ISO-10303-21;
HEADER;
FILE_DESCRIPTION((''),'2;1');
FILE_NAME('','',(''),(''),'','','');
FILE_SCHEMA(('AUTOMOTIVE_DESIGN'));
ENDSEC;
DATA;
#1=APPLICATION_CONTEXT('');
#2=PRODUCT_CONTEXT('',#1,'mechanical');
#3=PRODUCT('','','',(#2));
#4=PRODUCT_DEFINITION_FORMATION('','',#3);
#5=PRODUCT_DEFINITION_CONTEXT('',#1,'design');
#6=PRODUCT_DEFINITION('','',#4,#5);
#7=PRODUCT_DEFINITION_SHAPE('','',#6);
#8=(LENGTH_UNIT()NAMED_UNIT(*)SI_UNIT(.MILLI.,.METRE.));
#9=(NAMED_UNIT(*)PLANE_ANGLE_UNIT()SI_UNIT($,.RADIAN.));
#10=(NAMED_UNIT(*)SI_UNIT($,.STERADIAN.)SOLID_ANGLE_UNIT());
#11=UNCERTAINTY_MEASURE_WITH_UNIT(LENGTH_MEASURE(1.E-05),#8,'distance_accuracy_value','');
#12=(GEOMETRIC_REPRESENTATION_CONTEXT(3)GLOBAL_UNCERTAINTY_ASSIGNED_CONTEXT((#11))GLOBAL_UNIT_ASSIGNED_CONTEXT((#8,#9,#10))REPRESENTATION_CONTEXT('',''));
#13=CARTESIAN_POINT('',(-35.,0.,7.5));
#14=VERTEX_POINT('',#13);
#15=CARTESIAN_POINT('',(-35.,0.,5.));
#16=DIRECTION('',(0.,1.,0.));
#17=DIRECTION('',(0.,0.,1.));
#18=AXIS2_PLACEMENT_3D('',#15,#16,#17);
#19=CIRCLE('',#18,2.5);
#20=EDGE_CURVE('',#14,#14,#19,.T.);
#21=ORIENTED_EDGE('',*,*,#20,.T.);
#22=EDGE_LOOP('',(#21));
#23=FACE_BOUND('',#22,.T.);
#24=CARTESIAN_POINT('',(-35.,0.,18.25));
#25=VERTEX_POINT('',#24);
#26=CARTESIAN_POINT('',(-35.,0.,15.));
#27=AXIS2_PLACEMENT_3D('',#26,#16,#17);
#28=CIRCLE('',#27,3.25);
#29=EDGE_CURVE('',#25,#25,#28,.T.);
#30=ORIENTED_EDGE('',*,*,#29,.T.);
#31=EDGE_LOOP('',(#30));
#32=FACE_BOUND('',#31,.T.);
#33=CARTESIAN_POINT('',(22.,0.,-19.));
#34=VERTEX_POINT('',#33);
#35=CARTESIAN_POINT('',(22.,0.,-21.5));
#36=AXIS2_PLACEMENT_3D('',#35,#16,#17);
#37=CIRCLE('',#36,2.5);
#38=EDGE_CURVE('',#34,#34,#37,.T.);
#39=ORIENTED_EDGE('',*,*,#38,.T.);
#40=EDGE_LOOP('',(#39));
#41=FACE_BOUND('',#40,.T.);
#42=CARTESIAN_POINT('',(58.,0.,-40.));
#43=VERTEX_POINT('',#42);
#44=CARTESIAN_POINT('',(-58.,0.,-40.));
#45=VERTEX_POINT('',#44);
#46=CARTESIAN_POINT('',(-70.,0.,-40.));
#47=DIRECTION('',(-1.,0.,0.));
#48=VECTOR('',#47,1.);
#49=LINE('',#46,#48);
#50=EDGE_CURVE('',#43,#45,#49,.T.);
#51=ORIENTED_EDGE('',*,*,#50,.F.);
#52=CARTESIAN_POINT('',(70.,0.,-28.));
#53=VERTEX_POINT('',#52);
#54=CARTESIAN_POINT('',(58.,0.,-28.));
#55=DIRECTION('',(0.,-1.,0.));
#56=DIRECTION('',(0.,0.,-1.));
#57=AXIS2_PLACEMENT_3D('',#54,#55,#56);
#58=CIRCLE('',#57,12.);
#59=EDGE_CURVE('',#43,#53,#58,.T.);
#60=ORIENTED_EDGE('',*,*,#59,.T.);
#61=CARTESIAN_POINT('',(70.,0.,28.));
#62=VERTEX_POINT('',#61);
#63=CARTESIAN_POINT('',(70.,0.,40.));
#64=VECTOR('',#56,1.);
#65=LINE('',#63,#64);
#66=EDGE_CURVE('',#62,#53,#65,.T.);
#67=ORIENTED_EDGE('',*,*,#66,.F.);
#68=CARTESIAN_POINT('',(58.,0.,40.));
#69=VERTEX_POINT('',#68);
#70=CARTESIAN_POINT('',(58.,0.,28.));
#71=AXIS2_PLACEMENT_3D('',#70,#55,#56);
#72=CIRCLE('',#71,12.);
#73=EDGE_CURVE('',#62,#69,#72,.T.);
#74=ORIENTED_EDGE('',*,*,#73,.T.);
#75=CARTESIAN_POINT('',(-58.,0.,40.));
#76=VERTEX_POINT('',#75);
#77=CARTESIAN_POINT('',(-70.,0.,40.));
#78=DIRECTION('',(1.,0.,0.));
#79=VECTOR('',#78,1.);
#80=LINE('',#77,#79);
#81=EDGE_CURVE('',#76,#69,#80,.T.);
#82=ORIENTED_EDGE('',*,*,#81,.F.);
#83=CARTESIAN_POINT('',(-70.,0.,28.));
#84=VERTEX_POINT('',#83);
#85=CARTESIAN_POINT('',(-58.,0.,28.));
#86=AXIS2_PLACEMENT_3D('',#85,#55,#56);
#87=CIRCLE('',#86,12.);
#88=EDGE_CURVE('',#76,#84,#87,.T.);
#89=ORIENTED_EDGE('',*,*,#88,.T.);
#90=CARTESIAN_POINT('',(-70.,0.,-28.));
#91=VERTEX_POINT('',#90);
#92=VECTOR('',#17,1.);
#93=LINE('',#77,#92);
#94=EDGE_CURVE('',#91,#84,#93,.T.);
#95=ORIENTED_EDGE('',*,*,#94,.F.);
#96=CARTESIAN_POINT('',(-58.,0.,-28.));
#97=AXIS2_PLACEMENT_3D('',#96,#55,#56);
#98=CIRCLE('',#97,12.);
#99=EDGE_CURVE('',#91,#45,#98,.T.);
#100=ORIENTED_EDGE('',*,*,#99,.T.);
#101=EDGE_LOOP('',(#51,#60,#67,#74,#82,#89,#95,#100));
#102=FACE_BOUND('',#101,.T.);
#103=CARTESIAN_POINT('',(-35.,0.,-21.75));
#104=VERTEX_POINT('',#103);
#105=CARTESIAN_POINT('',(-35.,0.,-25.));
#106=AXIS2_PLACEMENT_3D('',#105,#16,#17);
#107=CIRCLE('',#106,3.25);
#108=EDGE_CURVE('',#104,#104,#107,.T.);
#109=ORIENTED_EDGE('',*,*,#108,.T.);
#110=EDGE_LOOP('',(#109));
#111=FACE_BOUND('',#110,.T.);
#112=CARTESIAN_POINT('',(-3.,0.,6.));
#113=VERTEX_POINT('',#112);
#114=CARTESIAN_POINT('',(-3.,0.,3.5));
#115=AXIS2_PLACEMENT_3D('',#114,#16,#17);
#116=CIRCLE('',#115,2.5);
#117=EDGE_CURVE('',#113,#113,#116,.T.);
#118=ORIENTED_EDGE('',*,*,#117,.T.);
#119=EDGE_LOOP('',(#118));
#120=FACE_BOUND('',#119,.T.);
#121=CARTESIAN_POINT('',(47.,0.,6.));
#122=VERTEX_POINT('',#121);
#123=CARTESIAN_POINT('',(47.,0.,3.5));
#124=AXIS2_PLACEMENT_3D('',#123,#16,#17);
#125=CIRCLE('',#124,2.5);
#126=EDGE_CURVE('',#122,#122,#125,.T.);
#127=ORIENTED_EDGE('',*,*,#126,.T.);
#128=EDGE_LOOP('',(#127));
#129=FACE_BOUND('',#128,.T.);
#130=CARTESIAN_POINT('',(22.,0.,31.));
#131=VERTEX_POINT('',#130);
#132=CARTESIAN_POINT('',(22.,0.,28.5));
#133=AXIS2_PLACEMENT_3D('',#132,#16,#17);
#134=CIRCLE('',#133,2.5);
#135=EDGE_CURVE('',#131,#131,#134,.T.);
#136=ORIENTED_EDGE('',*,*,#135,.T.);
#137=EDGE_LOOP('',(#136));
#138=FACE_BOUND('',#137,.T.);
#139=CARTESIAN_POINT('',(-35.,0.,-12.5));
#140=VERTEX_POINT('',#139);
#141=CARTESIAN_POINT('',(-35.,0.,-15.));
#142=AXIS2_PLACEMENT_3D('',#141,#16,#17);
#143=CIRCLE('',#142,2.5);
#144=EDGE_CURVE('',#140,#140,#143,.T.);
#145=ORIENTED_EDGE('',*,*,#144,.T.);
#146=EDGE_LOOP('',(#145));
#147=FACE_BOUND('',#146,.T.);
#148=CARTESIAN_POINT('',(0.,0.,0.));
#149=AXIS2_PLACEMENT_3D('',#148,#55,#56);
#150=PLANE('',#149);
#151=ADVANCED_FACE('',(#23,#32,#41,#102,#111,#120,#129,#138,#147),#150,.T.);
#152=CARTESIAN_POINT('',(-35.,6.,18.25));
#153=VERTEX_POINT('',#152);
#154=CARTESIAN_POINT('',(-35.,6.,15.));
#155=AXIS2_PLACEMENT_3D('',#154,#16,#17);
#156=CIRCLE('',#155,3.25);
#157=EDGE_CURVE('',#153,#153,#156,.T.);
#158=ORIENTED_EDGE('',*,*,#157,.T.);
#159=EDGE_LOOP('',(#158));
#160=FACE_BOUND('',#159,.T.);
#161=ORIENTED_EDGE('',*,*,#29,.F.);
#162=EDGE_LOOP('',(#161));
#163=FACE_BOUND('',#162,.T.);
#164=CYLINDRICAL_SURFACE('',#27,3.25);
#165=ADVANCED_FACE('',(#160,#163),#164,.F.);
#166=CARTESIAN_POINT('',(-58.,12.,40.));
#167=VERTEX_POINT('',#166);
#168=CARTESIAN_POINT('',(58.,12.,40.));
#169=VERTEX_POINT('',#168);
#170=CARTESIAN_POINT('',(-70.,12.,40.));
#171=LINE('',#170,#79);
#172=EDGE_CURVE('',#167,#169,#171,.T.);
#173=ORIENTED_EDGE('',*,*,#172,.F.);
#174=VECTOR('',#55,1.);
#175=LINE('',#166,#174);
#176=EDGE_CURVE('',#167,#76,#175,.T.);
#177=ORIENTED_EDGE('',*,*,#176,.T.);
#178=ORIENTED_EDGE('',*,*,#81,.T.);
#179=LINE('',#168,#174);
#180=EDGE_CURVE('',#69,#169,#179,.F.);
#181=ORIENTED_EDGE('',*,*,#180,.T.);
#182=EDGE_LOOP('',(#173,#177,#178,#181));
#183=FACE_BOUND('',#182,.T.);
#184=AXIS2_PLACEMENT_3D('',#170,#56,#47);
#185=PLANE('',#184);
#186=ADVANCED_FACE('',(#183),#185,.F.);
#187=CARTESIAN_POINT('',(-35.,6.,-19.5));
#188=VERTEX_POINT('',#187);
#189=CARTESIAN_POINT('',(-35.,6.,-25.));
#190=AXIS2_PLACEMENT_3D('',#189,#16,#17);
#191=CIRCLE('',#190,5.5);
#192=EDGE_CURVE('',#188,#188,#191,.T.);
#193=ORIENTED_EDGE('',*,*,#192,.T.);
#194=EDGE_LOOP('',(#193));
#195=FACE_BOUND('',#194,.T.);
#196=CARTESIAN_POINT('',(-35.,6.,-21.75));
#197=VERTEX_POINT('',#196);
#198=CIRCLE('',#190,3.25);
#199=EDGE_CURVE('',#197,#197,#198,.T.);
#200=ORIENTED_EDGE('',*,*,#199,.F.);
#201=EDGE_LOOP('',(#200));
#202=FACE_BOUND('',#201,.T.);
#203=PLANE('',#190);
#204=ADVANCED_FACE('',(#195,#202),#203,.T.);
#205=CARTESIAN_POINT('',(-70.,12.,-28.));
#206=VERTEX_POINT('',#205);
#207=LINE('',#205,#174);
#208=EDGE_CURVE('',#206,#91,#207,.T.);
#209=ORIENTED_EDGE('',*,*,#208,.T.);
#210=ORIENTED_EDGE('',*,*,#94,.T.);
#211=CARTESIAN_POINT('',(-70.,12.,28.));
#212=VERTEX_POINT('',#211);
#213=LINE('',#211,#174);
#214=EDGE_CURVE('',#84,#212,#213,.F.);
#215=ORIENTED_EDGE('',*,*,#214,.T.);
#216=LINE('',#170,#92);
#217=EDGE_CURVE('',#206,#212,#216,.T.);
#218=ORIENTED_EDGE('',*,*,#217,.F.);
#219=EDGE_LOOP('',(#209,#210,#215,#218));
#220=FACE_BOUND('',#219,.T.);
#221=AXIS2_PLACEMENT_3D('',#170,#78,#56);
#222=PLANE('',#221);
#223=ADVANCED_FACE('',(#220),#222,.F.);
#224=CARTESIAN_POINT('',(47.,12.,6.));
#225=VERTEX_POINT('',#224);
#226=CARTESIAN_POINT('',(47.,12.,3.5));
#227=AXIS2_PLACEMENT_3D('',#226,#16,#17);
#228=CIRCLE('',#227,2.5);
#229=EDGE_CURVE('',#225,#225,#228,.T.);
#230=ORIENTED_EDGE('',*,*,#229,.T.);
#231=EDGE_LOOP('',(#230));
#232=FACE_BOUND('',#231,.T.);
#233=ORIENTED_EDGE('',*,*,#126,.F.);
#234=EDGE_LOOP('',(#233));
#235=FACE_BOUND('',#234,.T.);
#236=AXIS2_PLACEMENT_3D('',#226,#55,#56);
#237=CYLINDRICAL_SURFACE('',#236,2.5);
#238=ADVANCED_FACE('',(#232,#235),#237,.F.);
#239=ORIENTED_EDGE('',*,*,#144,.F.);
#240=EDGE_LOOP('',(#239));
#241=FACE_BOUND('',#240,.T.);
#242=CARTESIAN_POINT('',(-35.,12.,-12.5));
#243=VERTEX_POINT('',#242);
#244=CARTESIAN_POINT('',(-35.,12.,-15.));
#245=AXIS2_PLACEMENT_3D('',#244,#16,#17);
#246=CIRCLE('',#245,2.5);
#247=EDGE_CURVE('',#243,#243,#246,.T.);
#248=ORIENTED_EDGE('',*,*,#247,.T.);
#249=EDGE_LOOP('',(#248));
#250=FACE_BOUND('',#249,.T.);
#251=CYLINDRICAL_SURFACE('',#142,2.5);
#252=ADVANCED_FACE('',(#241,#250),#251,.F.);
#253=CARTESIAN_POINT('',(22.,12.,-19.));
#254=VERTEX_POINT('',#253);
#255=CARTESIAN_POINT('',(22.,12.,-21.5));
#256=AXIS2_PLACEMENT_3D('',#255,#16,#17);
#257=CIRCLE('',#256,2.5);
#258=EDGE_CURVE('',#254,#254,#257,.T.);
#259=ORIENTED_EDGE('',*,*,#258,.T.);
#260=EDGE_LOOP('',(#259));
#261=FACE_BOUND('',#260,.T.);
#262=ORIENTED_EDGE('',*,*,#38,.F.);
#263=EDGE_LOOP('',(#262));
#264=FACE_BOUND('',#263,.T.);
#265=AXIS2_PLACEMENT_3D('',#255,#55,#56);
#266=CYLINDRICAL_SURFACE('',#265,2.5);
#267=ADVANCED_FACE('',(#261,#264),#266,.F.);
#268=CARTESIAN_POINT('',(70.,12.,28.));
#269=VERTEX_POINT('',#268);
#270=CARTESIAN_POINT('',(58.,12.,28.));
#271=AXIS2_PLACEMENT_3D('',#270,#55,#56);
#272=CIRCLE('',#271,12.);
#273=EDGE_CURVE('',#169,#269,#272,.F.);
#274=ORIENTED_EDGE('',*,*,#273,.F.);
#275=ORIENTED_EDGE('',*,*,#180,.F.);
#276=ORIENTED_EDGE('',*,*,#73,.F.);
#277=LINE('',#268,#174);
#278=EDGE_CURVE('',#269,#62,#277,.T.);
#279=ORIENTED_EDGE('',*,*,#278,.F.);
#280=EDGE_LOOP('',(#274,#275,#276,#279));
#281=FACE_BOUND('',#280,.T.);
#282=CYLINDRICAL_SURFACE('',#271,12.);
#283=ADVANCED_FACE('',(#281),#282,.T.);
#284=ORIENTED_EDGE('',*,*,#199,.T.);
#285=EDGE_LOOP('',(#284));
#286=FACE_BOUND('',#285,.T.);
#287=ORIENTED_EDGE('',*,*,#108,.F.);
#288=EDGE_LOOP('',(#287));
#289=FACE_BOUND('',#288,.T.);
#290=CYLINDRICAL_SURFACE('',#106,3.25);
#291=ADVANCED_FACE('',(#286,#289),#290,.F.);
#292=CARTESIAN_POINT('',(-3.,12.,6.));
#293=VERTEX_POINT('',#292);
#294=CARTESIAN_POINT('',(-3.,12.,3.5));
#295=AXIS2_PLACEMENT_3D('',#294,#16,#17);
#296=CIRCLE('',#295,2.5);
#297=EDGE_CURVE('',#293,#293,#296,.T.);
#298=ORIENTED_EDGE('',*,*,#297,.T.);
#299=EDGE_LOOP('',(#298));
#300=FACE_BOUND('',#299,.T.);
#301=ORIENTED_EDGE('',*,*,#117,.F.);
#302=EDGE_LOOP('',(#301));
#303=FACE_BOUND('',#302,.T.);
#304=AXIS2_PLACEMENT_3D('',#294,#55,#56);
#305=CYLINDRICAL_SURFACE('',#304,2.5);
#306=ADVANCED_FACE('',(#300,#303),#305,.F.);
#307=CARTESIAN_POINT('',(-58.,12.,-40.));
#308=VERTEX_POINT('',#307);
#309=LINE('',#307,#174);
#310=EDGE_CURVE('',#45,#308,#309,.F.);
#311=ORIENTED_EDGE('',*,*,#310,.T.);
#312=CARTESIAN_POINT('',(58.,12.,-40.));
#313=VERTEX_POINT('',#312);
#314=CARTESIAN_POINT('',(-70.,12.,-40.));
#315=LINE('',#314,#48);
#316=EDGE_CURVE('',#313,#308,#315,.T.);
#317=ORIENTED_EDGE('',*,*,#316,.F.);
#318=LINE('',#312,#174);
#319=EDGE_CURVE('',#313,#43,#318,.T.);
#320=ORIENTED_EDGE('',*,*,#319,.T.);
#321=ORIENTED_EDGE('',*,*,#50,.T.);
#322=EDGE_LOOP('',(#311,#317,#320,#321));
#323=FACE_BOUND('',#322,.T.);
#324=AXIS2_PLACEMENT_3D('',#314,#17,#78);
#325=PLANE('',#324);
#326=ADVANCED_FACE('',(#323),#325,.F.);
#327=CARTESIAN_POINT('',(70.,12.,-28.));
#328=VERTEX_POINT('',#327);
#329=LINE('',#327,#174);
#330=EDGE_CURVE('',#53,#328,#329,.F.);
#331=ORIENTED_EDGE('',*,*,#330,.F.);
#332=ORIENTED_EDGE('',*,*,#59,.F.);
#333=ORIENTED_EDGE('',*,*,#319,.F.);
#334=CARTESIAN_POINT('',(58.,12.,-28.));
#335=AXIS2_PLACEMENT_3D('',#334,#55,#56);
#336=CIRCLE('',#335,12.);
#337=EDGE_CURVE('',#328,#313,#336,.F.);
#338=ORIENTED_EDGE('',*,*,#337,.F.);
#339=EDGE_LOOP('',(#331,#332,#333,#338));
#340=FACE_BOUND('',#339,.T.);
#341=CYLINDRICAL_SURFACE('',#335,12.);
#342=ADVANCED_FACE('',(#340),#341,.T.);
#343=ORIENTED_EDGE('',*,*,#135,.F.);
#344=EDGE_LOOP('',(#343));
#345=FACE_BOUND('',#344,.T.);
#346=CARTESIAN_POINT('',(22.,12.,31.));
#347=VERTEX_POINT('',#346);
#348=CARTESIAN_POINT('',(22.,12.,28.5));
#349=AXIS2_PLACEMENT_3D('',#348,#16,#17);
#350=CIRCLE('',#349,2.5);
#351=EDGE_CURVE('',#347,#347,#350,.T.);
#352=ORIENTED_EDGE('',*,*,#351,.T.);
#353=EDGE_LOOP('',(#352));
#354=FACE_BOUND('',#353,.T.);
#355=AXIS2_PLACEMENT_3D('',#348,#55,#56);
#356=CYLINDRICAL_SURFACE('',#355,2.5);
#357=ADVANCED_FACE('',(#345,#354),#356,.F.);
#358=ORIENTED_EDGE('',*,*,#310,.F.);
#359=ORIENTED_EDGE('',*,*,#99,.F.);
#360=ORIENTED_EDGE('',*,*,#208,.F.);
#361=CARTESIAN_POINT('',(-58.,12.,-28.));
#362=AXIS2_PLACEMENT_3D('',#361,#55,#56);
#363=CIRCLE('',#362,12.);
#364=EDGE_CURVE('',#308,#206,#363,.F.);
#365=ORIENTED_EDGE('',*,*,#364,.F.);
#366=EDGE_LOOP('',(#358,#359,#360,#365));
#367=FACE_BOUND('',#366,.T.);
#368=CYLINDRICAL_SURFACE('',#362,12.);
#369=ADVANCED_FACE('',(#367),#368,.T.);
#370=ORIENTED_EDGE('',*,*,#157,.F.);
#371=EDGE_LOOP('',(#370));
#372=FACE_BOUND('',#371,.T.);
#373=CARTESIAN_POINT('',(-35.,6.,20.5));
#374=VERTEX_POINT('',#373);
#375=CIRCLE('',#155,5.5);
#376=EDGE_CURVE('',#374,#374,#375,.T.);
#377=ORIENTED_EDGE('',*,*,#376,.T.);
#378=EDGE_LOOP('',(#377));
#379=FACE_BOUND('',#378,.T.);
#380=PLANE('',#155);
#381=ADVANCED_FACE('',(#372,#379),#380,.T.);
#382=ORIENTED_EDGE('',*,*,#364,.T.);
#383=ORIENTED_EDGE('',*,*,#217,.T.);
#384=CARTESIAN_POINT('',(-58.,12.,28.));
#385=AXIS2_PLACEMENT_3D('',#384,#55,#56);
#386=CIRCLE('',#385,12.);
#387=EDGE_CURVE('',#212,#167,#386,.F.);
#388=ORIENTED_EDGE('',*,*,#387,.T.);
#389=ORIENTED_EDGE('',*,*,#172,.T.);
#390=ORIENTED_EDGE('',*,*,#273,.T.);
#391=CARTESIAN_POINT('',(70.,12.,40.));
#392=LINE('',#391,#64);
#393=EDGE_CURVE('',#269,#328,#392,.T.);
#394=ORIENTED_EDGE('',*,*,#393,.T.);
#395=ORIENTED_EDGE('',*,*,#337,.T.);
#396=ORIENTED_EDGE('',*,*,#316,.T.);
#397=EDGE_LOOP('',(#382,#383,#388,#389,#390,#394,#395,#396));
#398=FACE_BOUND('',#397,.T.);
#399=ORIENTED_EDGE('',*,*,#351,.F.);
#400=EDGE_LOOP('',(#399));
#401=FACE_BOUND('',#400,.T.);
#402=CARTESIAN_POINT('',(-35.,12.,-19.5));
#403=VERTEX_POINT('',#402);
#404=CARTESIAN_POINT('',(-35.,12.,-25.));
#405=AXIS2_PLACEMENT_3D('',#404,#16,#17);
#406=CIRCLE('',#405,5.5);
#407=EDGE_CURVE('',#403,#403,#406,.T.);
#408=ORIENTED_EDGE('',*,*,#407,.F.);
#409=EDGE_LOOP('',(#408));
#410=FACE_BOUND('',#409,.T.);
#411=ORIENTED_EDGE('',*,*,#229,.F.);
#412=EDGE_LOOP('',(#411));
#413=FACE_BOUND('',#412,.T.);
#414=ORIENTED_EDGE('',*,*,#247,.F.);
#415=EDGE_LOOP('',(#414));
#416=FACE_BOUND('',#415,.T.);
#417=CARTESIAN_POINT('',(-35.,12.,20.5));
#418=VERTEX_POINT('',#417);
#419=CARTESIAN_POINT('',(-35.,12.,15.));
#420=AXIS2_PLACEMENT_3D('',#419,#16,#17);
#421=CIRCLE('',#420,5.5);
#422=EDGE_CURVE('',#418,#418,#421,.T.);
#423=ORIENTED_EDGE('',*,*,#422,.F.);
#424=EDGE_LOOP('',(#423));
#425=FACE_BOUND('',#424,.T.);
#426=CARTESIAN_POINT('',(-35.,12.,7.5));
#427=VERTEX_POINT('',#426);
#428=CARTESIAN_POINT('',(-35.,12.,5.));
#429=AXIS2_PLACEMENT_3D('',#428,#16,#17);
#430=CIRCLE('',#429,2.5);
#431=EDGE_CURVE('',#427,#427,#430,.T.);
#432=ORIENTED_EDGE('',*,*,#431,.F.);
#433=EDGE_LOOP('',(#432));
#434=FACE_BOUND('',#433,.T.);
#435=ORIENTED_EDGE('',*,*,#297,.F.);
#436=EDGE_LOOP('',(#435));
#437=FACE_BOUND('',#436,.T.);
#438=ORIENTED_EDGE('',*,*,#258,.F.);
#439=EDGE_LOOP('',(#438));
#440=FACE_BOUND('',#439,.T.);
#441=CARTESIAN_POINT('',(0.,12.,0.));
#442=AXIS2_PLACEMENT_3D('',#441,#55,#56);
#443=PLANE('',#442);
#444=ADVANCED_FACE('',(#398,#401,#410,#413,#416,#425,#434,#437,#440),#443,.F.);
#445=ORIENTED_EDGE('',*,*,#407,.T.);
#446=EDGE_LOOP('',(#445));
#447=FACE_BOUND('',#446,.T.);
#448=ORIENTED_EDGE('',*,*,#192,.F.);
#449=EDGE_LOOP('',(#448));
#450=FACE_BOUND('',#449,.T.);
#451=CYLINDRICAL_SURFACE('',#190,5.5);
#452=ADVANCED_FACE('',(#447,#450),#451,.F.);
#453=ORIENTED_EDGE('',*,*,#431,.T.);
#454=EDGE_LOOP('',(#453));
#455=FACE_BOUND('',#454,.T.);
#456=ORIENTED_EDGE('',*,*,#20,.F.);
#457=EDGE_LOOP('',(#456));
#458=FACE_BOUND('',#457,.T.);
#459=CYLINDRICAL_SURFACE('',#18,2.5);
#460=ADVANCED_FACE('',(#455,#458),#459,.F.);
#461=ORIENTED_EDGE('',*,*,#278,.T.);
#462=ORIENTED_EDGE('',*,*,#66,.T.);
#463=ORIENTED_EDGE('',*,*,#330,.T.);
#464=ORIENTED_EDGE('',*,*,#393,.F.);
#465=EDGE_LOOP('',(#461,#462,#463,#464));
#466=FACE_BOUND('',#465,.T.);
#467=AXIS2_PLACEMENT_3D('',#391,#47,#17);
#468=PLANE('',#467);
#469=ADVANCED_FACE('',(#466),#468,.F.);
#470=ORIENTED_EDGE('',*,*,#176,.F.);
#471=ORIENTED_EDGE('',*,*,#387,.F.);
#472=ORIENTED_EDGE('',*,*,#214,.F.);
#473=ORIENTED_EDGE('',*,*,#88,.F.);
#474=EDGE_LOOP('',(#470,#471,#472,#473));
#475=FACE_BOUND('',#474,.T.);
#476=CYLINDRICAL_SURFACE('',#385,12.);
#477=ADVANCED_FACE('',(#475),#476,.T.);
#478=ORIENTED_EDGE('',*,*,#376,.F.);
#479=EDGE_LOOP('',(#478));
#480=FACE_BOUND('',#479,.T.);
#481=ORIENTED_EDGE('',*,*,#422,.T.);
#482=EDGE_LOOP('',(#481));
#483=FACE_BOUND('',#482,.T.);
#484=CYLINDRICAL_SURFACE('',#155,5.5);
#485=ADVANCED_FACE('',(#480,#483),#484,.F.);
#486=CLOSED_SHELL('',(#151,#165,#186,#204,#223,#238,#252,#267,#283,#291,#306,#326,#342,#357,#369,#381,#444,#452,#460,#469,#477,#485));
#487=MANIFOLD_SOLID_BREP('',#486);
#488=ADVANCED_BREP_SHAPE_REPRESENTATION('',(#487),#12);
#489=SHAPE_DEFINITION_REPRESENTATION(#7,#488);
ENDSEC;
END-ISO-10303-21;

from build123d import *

# Parameters (mm, degrees)
SKETCH1_W           = 140
SKETCH1_H           = 80
SKETCH1_R           = 2.5
BOSS_EXTRUDE1_DEPTH = 12
FILLET1_R           = 12
SKETCH2_R           = 5.5
CUT_EXTRUDE1_DEPTH  = 6
SKETCH4_R           = 3.25
CUT_EXTRUDE2_DEPTH  = 6
SKETCH5_R           = 2.5
CUT_EXTRUDE3_DEPTH  = 82.510735489


with BuildPart() as part:
    # Sketch1 → Boss-Extrude1 (new body)
    with BuildSketch(Plane(origin=(0, 0, 0), x_dir=(1, 0, 0), z_dir=(0, 1, 0))):
        Rectangle(SKETCH1_W, SKETCH1_H)
        with Locations(Location((22, 21.5, 0), (0, 0, 270))):
            Circle(SKETCH1_R, mode=Mode.SUBTRACT)
        with Locations(Location((47, -3.5, 0), (0, 0, 270))):
            Circle(SKETCH1_R, mode=Mode.SUBTRACT)
        with Locations(Location((-3, -3.5, 0), (0, 0, 270))):
            Circle(SKETCH1_R, mode=Mode.SUBTRACT)
        with Locations(Location((22, -28.5, 0), (0, 0, 270))):
            Circle(SKETCH1_R, mode=Mode.SUBTRACT)
    extrude(amount=BOSS_EXTRUDE1_DEPTH)

    # Fillet1
    fillet1_edges = [part.edges().sort_by_distance(p)[0] for p in [
        (70, 6, 40),
        (-70, 6, 40),
        (-70, 6, -40),
        (70, 6, -40),
    ]]
    fillet(fillet1_edges, radius=FILLET1_R)

    # Sketch2 → Cut-Extrude1 (cut)
    with BuildSketch(Plane(origin=(0, 12, 0), x_dir=(1, 0, 0), z_dir=(0, 1, 0))):
        with Locations(Location((-35, 25, 0), (0, 0, 270))):
            Circle(SKETCH2_R)
        with Locations(Location((-35, -15, 0), (0, 0, 270))):
            Circle(SKETCH2_R)
    extrude(amount=-CUT_EXTRUDE1_DEPTH, mode=Mode.SUBTRACT)

    # Sketch4 → Cut-Extrude2 (cut)
    with BuildSketch(Plane(origin=(0, 6, 0), x_dir=(1, 0, 0), z_dir=(0, 1, 0))):
        with Locations(Location((-35, 25, 0), (0, 0, 270))):
            Circle(SKETCH4_R)
        with Locations(Location((-35, -15, 0), (0, 0, 270))):
            Circle(SKETCH4_R)
    extrude(amount=-CUT_EXTRUDE2_DEPTH, mode=Mode.SUBTRACT)

    # Sketch5 → Cut-Extrude3 (cut, through all)
    with BuildSketch(Plane(origin=(0, 12, 0), x_dir=(1, 0, 0), z_dir=(0, 1, 0))):
        with Locations(Location((-35, 15, 0), (0, 0, 270))):
            Circle(SKETCH5_R)
        with Locations(Location((-35, -5, 0), (0, 0, 270))):
            Circle(SKETCH5_R)
    extrude(amount=-CUT_EXTRUDE3_DEPTH, mode=Mode.SUBTRACT)


solid = part.part
